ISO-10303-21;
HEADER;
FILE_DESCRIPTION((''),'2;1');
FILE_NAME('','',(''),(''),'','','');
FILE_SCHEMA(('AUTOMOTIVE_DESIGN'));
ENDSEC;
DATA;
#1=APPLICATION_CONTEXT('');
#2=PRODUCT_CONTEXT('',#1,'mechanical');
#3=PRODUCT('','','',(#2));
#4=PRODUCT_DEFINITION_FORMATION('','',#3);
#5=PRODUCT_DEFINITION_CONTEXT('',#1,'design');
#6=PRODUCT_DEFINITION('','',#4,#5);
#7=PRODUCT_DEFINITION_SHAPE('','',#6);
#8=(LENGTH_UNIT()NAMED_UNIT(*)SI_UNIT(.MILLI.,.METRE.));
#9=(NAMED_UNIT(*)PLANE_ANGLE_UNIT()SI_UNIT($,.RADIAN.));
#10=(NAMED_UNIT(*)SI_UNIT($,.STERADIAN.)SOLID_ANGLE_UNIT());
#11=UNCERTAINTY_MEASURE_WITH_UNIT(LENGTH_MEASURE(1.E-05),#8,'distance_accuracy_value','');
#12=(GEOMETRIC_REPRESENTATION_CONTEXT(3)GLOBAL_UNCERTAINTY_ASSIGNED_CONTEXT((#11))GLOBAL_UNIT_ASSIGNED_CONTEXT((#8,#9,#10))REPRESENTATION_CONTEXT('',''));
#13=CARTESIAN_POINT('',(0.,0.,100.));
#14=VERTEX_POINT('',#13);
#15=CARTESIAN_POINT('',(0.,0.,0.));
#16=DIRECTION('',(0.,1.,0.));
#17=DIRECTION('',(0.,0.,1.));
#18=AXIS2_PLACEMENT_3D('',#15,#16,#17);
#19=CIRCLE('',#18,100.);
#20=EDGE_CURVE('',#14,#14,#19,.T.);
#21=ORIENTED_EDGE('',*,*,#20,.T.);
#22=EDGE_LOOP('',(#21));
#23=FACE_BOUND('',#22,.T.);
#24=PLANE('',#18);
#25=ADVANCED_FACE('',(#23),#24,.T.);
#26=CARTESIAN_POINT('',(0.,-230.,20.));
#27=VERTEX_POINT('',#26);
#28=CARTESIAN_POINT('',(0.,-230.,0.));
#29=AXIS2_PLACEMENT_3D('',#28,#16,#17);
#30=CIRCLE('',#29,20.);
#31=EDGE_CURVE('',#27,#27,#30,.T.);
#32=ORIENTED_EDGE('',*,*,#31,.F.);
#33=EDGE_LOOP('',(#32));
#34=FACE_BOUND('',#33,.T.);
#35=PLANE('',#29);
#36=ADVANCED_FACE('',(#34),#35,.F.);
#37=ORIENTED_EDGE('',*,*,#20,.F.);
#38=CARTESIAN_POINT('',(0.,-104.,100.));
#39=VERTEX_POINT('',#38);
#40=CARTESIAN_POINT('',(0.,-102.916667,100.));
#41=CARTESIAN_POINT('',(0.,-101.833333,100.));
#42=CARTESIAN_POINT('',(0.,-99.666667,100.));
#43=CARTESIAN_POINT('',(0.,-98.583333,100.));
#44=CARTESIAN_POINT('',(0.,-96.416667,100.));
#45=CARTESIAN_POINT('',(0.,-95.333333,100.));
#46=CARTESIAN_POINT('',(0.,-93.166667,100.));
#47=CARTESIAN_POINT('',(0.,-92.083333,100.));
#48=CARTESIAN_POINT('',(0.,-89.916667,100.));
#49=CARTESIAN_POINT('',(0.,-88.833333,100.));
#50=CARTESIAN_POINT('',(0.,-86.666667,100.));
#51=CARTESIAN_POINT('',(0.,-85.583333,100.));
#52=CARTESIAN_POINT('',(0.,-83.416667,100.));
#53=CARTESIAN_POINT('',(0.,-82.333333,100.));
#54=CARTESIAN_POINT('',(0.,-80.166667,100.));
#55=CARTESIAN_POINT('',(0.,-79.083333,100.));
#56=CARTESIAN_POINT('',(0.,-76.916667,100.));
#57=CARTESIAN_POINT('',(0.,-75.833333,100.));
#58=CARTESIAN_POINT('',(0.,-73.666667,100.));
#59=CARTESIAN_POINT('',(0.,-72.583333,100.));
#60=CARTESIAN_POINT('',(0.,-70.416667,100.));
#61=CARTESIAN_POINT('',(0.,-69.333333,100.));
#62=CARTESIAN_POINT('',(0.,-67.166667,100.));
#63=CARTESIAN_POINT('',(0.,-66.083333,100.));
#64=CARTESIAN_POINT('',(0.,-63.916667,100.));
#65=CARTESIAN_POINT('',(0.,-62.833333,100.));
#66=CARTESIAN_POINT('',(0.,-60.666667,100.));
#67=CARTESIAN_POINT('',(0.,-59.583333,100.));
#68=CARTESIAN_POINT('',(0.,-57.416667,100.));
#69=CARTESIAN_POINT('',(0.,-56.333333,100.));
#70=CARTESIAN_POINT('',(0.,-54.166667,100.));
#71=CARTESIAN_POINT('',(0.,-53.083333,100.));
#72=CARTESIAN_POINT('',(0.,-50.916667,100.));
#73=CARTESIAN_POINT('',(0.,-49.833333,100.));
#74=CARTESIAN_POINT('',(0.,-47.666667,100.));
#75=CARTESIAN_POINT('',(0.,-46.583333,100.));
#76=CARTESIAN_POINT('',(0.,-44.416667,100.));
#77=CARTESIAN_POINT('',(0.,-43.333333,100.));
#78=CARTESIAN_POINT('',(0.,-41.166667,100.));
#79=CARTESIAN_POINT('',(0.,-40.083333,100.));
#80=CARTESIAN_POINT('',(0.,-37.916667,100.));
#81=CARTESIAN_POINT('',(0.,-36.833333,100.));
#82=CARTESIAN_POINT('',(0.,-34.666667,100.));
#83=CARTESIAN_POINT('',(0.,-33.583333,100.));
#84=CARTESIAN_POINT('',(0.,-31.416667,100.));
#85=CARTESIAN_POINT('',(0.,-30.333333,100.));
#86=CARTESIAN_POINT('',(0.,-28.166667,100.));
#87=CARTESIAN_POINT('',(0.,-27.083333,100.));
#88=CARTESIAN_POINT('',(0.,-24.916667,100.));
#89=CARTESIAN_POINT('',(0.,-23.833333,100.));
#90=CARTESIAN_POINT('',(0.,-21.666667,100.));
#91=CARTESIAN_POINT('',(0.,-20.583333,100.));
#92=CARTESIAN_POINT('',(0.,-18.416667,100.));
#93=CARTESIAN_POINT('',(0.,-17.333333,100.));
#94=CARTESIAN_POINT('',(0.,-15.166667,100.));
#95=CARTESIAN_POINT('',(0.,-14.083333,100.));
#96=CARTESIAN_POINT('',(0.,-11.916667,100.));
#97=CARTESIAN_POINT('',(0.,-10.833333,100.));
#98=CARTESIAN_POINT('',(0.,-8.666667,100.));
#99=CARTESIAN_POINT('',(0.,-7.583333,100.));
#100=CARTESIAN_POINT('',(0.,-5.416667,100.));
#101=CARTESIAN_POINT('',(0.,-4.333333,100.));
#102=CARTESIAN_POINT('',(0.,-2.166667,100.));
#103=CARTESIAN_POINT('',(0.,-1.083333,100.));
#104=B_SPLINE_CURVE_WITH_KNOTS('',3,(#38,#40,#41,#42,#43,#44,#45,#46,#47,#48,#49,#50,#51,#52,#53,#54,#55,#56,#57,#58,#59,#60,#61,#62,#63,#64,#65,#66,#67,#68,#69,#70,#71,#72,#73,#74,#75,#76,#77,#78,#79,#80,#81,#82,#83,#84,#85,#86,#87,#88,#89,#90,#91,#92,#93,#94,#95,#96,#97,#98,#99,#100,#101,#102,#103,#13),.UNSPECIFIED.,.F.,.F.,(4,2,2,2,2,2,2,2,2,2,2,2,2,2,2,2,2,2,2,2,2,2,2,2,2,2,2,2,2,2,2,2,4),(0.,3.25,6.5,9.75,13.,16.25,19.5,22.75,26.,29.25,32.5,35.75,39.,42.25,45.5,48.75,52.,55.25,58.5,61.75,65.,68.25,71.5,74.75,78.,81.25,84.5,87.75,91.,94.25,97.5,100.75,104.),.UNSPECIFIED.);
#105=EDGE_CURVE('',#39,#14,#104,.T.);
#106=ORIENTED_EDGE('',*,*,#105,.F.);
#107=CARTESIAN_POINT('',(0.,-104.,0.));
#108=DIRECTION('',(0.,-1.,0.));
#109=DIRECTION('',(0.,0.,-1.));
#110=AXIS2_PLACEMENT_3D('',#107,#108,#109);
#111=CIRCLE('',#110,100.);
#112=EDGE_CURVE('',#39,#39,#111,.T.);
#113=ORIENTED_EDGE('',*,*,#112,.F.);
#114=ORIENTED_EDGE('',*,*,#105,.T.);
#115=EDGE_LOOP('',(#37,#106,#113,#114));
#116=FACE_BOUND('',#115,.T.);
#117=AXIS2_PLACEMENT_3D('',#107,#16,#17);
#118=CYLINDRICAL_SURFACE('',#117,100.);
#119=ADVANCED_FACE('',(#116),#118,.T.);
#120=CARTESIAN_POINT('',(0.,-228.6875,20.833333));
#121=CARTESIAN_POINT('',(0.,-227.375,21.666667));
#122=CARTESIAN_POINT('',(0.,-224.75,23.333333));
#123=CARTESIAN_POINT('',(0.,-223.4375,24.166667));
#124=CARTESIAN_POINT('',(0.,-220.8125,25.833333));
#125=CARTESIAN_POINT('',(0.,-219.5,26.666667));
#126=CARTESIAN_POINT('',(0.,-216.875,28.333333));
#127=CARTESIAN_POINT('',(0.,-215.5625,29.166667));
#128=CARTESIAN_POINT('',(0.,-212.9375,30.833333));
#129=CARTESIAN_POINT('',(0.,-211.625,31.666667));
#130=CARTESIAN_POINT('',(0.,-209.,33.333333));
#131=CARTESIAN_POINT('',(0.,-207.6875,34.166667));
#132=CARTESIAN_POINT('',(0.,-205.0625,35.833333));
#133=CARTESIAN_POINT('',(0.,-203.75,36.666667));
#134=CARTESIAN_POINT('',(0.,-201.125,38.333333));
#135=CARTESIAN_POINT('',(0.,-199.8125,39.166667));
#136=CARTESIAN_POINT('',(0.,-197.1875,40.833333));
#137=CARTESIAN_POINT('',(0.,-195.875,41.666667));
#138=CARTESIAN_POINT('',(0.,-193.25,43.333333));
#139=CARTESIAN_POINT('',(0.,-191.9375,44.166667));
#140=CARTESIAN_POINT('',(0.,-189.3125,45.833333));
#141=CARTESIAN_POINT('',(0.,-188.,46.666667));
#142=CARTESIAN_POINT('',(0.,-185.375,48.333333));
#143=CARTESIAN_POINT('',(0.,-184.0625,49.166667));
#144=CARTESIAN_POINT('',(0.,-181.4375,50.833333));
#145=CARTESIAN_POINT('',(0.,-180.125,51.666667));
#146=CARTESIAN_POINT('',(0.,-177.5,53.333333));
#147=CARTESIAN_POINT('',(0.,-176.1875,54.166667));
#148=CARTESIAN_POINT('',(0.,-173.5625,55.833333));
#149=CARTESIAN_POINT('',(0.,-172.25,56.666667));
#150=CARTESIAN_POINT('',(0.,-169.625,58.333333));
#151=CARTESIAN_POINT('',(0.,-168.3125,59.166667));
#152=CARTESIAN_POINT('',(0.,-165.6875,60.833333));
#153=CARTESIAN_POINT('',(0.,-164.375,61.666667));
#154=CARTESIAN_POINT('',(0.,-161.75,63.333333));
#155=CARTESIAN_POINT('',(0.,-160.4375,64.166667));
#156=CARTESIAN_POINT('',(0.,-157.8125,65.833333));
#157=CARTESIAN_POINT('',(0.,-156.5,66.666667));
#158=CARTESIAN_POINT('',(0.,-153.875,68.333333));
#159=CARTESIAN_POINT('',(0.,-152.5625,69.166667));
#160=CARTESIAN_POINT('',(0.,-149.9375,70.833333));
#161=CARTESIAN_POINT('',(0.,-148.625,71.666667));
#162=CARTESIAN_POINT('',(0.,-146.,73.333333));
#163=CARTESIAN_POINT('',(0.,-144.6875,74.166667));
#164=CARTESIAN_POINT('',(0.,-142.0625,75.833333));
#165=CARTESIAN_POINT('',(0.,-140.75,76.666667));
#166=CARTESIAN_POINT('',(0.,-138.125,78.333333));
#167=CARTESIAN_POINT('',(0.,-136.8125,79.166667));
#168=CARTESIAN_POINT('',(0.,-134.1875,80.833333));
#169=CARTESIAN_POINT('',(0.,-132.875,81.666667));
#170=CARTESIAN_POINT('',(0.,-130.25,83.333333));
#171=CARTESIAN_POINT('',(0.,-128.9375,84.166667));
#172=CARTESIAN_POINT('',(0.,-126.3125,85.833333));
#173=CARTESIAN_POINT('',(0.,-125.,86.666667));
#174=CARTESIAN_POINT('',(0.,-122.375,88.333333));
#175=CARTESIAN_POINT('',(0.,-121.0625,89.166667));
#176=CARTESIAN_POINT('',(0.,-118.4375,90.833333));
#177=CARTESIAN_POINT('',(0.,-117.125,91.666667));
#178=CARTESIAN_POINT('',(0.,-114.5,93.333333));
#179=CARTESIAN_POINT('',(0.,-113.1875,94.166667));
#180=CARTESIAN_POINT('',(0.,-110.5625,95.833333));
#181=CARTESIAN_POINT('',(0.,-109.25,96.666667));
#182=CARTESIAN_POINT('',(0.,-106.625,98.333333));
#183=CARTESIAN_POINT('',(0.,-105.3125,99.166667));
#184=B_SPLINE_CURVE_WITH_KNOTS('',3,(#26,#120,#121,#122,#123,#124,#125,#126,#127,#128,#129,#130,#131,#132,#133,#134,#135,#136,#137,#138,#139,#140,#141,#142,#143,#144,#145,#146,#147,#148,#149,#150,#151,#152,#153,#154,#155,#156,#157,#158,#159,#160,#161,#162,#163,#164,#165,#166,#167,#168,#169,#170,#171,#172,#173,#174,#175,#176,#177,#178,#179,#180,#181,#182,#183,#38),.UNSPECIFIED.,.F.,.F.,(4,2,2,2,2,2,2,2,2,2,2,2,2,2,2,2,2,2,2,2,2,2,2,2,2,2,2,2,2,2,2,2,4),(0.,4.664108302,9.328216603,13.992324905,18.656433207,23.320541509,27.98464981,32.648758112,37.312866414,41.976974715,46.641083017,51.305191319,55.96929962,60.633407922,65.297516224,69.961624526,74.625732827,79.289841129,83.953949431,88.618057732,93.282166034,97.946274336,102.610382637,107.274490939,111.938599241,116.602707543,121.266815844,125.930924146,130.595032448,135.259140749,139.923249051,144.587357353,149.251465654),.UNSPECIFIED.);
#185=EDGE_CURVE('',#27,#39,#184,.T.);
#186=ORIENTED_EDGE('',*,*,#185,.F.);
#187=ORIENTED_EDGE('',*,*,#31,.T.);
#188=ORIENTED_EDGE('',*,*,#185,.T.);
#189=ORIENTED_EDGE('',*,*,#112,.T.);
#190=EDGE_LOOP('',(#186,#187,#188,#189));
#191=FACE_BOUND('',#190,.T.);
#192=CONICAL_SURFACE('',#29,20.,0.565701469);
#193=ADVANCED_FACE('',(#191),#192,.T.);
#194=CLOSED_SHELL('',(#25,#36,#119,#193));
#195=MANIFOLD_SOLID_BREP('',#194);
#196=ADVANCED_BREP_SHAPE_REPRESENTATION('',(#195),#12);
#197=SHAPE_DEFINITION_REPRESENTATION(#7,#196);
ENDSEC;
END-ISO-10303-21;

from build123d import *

# Parameters (mm, degrees)
CROQUIS1_R              = 100
SALIENTE_EXTRUIR1_DEPTH = 104
CROQUIS3_R              = 20
CROQUIS2_R              = 100


with BuildPart() as part:
    # Croquis1 → Saliente-Extruir1 (new body)
    with BuildSketch(Plane(origin=(0, 0, 0), x_dir=(1, 0, 0), z_dir=(0, 1, 0))):
        with Locations(Location((0, 0, 0), (0, 0, 270))):
            Circle(CROQUIS1_R)
    extrude(amount=-SALIENTE_EXTRUIR1_DEPTH)

    # Croquis3 → Recubrir1 section 0
    with BuildSketch(Plane(origin=(0, -230, 0), x_dir=(1, 0, 0), z_dir=(0, 1, 0))):
        Circle(CROQUIS3_R)
    # Croquis2 → Recubrir1 section 1
    with BuildSketch(Plane.XZ.offset(104)):
        Circle(CROQUIS2_R)
    loft()


solid = part.part
